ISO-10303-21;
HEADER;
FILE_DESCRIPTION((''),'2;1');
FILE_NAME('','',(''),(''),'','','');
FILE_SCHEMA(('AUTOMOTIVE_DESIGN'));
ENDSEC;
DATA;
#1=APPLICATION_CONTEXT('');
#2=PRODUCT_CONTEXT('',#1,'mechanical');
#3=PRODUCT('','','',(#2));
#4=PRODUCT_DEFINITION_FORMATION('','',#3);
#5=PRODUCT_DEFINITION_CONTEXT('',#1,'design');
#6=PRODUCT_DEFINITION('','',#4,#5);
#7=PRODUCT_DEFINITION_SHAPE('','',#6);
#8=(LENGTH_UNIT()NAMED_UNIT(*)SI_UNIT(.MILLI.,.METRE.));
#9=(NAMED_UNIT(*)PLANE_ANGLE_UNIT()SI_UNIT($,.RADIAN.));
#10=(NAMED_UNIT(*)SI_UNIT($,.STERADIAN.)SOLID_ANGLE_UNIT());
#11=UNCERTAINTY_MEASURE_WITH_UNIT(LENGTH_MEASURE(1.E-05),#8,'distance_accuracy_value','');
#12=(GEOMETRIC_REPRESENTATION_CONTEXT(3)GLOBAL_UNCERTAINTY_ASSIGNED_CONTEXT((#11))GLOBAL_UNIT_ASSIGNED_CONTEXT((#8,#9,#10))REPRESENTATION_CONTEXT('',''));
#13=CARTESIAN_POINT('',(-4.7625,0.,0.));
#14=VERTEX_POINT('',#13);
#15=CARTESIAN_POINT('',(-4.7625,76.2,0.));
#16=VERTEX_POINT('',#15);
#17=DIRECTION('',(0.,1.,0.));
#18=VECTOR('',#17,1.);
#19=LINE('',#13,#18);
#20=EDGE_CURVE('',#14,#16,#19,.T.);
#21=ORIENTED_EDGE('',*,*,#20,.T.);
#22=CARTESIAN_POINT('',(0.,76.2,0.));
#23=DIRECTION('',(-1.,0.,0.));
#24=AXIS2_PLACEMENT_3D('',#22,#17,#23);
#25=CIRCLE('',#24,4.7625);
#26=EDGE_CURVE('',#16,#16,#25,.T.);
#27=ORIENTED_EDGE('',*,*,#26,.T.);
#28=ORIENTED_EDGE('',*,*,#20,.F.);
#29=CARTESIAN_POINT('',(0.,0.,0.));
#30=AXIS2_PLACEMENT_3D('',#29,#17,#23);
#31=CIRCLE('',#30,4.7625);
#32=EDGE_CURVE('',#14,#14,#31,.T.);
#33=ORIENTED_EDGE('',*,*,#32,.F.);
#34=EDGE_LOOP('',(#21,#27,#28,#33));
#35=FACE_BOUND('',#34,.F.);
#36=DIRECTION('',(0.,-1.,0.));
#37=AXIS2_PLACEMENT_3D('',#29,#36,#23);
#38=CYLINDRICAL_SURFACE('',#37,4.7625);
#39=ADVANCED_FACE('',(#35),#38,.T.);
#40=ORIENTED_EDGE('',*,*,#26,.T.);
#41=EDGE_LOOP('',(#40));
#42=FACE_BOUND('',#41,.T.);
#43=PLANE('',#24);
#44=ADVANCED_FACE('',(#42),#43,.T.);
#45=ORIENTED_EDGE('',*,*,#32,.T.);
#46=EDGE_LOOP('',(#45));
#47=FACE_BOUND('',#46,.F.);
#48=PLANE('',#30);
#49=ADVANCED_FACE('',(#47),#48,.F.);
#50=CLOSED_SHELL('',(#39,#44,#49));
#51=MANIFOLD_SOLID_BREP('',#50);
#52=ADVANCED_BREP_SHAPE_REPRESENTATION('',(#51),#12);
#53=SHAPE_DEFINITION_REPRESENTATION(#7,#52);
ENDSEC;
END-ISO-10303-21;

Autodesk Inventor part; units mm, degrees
ref_plane "YZ Plane" through (0, 0, 0) normal (1, 0, 0) x (0, 1, 0)
ref_plane "XZ Plane" through (0, 0, 0) normal (0, 1, 0) x (-1, 0, 0)
ref_plane "XY Plane" through (0, 0, 0) normal (0, 0, 1) x (1, 0, 0)
sketch "Sketch1" plane through (0, 0, 0) normal (0, 1, 0) x (-1, 0, 0)
  circle A0 centre (0, 0) radius 4.7625
  dimension "d0" = 9.525
extrude "Extrusion1" add sketch "Sketch1" along normal blind 76.2
properties part number "Axle 0.375 3 in length" material "Steel"
